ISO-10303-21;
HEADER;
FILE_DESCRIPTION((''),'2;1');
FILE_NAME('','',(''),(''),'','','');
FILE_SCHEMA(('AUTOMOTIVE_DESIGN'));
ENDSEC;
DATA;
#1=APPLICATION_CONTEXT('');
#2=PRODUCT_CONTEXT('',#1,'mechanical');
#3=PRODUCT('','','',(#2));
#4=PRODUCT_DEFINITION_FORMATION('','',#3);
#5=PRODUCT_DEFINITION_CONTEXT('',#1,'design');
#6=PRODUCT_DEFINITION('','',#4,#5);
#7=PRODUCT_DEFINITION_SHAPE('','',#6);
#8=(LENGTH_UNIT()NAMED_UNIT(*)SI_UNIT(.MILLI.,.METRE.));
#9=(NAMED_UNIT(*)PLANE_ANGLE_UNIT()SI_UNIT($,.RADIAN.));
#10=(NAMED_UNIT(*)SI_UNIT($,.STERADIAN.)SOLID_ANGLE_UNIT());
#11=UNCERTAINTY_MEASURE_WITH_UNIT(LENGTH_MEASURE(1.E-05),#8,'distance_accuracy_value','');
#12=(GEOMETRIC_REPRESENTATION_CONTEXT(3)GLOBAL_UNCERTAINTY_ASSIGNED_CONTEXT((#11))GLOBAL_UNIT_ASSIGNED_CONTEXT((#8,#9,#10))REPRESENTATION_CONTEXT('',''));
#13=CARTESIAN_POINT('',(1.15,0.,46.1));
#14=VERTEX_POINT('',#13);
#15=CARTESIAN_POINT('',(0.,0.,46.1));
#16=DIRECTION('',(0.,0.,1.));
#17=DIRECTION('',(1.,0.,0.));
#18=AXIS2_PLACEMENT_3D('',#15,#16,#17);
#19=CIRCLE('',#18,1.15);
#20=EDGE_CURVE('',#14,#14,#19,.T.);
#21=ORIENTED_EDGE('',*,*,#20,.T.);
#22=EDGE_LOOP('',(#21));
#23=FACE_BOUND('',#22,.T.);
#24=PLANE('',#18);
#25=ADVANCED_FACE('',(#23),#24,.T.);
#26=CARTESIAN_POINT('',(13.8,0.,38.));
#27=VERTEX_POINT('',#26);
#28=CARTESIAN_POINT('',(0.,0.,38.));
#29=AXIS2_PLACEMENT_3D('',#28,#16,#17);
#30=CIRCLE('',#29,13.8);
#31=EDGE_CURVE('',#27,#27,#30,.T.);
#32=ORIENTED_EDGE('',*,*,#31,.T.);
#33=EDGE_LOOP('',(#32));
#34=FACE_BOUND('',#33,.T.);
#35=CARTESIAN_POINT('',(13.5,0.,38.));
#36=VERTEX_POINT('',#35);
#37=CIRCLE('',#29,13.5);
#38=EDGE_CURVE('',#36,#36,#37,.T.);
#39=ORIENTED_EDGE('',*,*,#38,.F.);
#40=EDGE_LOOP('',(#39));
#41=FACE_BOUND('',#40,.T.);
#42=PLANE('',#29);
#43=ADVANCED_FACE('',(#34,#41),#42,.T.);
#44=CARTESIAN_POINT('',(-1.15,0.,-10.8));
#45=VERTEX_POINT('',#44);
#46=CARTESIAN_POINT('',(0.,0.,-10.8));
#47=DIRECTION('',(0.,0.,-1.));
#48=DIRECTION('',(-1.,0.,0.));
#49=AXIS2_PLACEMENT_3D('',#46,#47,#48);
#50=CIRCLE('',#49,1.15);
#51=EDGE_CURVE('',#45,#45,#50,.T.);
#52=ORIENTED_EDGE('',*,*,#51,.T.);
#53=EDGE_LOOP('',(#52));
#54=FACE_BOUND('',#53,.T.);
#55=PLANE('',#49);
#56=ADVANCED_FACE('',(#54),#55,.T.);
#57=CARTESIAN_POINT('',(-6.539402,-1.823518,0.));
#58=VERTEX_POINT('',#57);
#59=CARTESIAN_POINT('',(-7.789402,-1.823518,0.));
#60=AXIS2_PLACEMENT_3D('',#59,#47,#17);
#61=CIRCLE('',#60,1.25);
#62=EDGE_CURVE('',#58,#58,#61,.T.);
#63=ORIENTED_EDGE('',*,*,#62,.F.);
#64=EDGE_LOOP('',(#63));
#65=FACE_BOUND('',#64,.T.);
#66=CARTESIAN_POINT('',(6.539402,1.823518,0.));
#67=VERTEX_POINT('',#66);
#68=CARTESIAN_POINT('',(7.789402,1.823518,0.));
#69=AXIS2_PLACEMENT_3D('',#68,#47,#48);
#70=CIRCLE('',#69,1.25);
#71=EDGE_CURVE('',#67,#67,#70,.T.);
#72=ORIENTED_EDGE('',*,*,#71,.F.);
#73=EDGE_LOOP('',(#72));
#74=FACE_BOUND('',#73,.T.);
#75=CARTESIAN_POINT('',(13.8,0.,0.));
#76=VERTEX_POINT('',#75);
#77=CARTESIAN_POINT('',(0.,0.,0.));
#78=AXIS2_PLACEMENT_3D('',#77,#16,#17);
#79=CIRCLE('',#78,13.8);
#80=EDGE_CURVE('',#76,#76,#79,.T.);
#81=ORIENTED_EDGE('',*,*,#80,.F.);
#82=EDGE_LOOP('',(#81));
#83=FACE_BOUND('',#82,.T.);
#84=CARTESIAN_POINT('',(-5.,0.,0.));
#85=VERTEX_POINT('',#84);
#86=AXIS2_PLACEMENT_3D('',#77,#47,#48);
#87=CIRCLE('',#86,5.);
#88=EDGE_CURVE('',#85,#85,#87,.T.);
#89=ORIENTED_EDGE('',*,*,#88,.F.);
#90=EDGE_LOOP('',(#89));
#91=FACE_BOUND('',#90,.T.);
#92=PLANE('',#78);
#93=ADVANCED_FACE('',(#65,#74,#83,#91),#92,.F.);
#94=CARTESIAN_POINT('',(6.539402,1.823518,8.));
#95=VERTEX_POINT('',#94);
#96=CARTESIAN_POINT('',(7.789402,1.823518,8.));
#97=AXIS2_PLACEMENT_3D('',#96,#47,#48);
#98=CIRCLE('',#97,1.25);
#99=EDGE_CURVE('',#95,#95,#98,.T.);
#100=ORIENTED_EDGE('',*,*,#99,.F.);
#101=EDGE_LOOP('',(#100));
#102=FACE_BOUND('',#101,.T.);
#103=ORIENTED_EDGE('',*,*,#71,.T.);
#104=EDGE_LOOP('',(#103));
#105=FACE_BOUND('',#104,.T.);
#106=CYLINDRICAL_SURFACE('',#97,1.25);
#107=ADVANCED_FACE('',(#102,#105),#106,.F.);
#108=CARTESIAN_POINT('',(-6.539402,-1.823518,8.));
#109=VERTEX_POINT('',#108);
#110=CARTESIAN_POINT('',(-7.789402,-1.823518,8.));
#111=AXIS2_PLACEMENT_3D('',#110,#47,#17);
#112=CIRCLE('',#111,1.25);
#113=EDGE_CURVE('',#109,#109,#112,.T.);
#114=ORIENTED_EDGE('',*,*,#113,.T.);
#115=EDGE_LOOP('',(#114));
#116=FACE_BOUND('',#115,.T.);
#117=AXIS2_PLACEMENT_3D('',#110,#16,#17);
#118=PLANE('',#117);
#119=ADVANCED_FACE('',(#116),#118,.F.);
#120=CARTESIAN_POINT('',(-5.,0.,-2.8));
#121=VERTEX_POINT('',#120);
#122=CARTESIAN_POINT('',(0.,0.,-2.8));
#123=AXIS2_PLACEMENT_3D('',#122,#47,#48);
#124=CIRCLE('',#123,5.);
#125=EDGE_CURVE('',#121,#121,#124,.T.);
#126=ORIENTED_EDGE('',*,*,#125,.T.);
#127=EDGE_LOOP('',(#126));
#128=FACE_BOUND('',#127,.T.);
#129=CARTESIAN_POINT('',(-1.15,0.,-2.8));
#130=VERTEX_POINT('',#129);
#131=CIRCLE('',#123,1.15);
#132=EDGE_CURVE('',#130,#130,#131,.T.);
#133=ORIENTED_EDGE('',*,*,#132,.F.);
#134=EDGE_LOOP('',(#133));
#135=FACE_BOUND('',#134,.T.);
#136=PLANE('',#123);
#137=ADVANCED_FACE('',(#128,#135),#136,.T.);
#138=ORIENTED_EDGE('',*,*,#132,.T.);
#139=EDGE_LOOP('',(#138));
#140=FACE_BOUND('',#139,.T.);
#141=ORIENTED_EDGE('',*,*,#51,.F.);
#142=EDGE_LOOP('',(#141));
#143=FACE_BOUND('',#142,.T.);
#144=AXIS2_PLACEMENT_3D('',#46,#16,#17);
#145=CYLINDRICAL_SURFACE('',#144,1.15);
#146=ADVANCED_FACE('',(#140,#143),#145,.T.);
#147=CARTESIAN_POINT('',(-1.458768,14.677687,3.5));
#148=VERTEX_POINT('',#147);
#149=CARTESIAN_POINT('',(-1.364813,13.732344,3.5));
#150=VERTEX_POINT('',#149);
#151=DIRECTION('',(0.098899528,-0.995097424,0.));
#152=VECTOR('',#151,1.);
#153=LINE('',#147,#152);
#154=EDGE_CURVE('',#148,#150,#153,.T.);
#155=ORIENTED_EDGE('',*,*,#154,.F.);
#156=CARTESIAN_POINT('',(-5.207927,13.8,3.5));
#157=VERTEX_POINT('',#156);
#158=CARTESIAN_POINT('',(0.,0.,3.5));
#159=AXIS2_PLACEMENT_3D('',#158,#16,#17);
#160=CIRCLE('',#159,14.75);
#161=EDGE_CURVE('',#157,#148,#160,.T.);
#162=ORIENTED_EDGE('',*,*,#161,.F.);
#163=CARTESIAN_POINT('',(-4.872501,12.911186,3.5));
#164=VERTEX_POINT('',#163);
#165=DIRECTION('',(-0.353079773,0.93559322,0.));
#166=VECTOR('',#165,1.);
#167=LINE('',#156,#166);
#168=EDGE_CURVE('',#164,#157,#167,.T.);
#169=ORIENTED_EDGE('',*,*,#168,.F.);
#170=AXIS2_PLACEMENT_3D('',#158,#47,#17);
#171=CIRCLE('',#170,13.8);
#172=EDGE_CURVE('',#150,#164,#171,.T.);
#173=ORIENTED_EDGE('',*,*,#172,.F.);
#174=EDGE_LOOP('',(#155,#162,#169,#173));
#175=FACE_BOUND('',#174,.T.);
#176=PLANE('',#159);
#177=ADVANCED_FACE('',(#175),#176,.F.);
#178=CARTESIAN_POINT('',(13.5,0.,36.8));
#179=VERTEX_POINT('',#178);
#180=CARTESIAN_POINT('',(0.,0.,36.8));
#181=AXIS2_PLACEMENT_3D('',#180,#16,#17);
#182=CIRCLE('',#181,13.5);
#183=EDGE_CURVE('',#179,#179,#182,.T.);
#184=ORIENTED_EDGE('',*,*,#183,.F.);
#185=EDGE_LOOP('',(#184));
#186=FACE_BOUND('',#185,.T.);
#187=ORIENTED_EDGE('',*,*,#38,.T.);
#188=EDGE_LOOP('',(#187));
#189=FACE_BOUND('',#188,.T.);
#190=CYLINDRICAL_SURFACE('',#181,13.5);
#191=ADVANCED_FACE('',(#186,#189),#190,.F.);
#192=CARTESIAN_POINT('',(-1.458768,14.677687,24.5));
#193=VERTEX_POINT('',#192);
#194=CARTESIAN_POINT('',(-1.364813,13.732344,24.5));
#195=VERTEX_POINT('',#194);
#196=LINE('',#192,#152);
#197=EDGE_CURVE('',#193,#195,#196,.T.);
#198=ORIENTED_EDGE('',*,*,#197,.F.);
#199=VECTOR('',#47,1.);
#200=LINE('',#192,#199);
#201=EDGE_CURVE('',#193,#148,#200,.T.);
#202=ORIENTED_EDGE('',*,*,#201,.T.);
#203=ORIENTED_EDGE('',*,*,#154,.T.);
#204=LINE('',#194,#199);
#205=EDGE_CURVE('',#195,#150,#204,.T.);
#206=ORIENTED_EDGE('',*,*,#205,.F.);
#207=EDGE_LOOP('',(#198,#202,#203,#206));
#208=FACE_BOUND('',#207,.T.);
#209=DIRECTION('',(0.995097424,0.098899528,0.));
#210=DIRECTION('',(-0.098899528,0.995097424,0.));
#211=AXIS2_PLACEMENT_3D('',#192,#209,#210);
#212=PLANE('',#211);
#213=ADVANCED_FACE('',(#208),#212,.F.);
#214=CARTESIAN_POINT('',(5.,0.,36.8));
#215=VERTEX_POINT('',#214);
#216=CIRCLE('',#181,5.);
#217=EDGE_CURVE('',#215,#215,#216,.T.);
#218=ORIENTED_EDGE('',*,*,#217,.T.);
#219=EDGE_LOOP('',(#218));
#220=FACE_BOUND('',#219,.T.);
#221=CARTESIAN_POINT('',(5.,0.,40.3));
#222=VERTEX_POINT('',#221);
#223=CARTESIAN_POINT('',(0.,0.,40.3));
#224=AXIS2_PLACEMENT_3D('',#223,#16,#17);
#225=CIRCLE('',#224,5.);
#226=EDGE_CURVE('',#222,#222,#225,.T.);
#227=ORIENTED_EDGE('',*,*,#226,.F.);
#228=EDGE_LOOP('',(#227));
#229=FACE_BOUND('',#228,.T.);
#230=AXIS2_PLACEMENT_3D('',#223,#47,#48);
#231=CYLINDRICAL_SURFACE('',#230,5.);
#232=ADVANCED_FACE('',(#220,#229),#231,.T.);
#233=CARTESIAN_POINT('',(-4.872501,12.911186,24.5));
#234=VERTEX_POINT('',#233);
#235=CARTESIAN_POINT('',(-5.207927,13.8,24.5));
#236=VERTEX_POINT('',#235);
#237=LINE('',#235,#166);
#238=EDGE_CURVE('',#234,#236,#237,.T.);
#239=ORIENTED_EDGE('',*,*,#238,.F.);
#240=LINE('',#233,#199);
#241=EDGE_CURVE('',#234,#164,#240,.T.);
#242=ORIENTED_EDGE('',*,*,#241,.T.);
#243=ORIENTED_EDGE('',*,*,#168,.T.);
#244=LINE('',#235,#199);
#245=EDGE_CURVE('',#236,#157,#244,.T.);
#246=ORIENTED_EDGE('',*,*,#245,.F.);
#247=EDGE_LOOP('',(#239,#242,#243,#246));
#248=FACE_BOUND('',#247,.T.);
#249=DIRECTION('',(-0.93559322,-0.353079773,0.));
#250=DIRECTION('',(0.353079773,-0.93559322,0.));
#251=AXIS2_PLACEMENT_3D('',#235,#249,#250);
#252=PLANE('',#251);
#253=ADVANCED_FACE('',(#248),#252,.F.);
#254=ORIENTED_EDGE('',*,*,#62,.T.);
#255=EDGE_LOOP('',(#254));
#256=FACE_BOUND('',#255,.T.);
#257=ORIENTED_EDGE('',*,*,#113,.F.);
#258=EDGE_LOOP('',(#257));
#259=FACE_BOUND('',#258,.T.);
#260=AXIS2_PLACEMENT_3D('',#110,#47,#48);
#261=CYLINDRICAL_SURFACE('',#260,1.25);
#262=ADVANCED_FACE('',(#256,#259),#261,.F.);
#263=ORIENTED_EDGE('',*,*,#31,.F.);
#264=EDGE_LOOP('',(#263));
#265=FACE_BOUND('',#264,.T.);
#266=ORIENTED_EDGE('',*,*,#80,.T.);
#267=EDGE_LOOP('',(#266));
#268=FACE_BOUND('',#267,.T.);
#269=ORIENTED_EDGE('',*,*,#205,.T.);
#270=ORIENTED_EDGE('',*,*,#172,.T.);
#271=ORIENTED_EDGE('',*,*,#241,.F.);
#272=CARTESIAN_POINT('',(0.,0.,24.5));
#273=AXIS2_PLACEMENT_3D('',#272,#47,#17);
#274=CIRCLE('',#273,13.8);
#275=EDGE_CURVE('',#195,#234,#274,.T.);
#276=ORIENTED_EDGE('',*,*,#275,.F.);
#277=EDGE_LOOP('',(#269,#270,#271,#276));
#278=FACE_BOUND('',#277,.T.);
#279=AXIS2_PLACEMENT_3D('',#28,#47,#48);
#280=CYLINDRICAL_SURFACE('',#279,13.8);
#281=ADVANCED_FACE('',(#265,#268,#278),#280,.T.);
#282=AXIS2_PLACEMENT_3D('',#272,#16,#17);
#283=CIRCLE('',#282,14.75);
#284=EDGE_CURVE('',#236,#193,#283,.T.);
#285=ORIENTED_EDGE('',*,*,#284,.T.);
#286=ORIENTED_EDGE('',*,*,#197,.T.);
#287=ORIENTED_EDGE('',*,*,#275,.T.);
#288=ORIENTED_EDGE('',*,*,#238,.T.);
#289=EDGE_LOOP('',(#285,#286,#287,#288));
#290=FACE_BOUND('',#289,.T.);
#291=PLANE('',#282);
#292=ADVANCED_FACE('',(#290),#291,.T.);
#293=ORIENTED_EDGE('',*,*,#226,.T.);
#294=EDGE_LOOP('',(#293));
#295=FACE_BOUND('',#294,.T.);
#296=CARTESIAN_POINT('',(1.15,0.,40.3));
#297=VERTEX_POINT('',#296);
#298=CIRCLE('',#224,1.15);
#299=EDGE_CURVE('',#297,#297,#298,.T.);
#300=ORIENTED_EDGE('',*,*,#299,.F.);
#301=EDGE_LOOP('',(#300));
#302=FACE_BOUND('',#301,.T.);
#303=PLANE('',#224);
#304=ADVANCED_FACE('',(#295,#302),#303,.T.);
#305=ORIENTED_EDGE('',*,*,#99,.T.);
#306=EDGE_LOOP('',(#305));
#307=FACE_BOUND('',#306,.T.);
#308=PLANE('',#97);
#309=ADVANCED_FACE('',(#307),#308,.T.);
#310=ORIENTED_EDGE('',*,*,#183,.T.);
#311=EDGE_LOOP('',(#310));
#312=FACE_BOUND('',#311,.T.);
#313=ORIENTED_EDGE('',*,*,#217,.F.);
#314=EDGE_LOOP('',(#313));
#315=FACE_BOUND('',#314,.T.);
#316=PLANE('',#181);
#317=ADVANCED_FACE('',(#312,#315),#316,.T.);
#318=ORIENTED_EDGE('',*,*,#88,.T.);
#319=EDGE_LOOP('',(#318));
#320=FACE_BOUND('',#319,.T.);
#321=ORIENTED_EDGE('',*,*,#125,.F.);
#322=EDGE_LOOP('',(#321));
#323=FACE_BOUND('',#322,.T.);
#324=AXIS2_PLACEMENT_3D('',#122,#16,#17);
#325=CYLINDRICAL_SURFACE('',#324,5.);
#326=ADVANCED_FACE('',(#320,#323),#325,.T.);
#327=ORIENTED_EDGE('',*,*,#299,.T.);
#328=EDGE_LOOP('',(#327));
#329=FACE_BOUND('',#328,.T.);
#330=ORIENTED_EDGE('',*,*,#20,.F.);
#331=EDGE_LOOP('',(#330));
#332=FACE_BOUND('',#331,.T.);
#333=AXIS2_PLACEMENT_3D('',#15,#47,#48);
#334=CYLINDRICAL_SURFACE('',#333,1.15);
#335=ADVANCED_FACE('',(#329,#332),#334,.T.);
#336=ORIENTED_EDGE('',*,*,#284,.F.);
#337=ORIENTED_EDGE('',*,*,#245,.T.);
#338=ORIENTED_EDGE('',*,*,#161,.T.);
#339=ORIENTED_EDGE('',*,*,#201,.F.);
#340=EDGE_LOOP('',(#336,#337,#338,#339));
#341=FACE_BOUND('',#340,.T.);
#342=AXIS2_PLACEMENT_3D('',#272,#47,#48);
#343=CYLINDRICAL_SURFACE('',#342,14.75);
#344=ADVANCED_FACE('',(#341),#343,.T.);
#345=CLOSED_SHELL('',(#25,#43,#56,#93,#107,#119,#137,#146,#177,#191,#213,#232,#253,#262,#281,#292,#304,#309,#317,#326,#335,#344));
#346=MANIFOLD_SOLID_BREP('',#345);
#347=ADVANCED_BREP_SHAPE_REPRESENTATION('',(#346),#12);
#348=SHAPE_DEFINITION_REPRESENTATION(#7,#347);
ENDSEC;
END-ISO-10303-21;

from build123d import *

# Parameters (mm, degrees)
SKETCH1_R           = 13.8
BOSS_EXTRUDE1_DEPTH = 38
BOSS_EXTRUDE2_START = -34.5
BOSS_EXTRUDE2_DEPTH = 21
SKETCH3_R           = 5
BOSS_EXTRUDE3_DEPTH = 2.8
SKETCH4_R           = 13.5
CUT_EXTRUDE1_DEPTH  = 1.2
SKETCH5_R           = 5
BOSS_EXTRUDE4_DEPTH = 3.5
SKETCH6_R           = 1.15
BOSS_EXTRUDE5_DEPTH = 5.8
SKETCH7_R           = 1.15
BOSS_EXTRUDE6_DEPTH = 8
SKETCH8_R           = 1.25
CUT_EXTRUDE2_DEPTH  = 8


with BuildPart() as part:
    # Sketch1 → Boss-Extrude1 (new body)
    with BuildSketch(Plane.XY):
        Circle(SKETCH1_R)
    extrude(amount=BOSS_EXTRUDE1_DEPTH)

    # Sketch2 → Boss-Extrude2 (add)
    with BuildSketch(Plane.XY.offset(38).offset(BOSS_EXTRUDE2_START)):
        with BuildLine():
            Line((-1.458768031, 14.677687006), (-1.36481348, 13.732344453))
            ThreePointArc((-1.36481348, 13.732344453), (3.145567943, -13.436718436), (-4.872500867, 12.911186441))
            Line((-4.872500867, 12.911186441), (-5.207926651, 13.8))
            ThreePointArc((-5.207926651, 13.8), (3.362110664, -14.361709922), (-1.458768031, 14.677687006))
        make_face()
    extrude(amount=BOSS_EXTRUDE2_DEPTH)

    # Sketch3 → Boss-Extrude3 (add)
    with BuildSketch(Plane(origin=(0, 0, 0), x_dir=(-1, 0, 0), z_dir=(0, 0, -1))):
        Circle(SKETCH3_R)
    extrude(amount=BOSS_EXTRUDE3_DEPTH)

    # Sketch4 → Cut-Extrude1 (cut)
    with BuildSketch(Plane.XY.offset(38)):
        Circle(SKETCH4_R)
    extrude(amount=-CUT_EXTRUDE1_DEPTH, mode=Mode.SUBTRACT)

    # Sketch5 → Boss-Extrude4 (add)
    with BuildSketch(Plane.XY.offset(36.8)):
        Circle(SKETCH5_R)
    extrude(amount=BOSS_EXTRUDE4_DEPTH)

    # Sketch6 → Boss-Extrude5 (add)
    with BuildSketch(Plane.XY.offset(40.3)):
        Circle(SKETCH6_R)
    extrude(amount=BOSS_EXTRUDE5_DEPTH)

    # Sketch7 → Boss-Extrude6 (add)
    with BuildSketch(Plane(origin=(0, 0, -2.8), x_dir=(-1, 0, 0), z_dir=(0, 0, -1))):
        Circle(SKETCH7_R)
    extrude(amount=BOSS_EXTRUDE6_DEPTH)

    # Sketch8 → Cut-Extrude2 (cut)
    with BuildSketch(Plane(origin=(0, 0, 0), x_dir=(-1, 0, 0), z_dir=(0, 0, -1))):
        with Locations((-7.789401992, 1.823517648)):
            Circle(SKETCH8_R)
        with Locations((7.789401992, -1.823517648)):
            Circle(SKETCH8_R)
    extrude(amount=-CUT_EXTRUDE2_DEPTH, mode=Mode.SUBTRACT)


solid = part.part
